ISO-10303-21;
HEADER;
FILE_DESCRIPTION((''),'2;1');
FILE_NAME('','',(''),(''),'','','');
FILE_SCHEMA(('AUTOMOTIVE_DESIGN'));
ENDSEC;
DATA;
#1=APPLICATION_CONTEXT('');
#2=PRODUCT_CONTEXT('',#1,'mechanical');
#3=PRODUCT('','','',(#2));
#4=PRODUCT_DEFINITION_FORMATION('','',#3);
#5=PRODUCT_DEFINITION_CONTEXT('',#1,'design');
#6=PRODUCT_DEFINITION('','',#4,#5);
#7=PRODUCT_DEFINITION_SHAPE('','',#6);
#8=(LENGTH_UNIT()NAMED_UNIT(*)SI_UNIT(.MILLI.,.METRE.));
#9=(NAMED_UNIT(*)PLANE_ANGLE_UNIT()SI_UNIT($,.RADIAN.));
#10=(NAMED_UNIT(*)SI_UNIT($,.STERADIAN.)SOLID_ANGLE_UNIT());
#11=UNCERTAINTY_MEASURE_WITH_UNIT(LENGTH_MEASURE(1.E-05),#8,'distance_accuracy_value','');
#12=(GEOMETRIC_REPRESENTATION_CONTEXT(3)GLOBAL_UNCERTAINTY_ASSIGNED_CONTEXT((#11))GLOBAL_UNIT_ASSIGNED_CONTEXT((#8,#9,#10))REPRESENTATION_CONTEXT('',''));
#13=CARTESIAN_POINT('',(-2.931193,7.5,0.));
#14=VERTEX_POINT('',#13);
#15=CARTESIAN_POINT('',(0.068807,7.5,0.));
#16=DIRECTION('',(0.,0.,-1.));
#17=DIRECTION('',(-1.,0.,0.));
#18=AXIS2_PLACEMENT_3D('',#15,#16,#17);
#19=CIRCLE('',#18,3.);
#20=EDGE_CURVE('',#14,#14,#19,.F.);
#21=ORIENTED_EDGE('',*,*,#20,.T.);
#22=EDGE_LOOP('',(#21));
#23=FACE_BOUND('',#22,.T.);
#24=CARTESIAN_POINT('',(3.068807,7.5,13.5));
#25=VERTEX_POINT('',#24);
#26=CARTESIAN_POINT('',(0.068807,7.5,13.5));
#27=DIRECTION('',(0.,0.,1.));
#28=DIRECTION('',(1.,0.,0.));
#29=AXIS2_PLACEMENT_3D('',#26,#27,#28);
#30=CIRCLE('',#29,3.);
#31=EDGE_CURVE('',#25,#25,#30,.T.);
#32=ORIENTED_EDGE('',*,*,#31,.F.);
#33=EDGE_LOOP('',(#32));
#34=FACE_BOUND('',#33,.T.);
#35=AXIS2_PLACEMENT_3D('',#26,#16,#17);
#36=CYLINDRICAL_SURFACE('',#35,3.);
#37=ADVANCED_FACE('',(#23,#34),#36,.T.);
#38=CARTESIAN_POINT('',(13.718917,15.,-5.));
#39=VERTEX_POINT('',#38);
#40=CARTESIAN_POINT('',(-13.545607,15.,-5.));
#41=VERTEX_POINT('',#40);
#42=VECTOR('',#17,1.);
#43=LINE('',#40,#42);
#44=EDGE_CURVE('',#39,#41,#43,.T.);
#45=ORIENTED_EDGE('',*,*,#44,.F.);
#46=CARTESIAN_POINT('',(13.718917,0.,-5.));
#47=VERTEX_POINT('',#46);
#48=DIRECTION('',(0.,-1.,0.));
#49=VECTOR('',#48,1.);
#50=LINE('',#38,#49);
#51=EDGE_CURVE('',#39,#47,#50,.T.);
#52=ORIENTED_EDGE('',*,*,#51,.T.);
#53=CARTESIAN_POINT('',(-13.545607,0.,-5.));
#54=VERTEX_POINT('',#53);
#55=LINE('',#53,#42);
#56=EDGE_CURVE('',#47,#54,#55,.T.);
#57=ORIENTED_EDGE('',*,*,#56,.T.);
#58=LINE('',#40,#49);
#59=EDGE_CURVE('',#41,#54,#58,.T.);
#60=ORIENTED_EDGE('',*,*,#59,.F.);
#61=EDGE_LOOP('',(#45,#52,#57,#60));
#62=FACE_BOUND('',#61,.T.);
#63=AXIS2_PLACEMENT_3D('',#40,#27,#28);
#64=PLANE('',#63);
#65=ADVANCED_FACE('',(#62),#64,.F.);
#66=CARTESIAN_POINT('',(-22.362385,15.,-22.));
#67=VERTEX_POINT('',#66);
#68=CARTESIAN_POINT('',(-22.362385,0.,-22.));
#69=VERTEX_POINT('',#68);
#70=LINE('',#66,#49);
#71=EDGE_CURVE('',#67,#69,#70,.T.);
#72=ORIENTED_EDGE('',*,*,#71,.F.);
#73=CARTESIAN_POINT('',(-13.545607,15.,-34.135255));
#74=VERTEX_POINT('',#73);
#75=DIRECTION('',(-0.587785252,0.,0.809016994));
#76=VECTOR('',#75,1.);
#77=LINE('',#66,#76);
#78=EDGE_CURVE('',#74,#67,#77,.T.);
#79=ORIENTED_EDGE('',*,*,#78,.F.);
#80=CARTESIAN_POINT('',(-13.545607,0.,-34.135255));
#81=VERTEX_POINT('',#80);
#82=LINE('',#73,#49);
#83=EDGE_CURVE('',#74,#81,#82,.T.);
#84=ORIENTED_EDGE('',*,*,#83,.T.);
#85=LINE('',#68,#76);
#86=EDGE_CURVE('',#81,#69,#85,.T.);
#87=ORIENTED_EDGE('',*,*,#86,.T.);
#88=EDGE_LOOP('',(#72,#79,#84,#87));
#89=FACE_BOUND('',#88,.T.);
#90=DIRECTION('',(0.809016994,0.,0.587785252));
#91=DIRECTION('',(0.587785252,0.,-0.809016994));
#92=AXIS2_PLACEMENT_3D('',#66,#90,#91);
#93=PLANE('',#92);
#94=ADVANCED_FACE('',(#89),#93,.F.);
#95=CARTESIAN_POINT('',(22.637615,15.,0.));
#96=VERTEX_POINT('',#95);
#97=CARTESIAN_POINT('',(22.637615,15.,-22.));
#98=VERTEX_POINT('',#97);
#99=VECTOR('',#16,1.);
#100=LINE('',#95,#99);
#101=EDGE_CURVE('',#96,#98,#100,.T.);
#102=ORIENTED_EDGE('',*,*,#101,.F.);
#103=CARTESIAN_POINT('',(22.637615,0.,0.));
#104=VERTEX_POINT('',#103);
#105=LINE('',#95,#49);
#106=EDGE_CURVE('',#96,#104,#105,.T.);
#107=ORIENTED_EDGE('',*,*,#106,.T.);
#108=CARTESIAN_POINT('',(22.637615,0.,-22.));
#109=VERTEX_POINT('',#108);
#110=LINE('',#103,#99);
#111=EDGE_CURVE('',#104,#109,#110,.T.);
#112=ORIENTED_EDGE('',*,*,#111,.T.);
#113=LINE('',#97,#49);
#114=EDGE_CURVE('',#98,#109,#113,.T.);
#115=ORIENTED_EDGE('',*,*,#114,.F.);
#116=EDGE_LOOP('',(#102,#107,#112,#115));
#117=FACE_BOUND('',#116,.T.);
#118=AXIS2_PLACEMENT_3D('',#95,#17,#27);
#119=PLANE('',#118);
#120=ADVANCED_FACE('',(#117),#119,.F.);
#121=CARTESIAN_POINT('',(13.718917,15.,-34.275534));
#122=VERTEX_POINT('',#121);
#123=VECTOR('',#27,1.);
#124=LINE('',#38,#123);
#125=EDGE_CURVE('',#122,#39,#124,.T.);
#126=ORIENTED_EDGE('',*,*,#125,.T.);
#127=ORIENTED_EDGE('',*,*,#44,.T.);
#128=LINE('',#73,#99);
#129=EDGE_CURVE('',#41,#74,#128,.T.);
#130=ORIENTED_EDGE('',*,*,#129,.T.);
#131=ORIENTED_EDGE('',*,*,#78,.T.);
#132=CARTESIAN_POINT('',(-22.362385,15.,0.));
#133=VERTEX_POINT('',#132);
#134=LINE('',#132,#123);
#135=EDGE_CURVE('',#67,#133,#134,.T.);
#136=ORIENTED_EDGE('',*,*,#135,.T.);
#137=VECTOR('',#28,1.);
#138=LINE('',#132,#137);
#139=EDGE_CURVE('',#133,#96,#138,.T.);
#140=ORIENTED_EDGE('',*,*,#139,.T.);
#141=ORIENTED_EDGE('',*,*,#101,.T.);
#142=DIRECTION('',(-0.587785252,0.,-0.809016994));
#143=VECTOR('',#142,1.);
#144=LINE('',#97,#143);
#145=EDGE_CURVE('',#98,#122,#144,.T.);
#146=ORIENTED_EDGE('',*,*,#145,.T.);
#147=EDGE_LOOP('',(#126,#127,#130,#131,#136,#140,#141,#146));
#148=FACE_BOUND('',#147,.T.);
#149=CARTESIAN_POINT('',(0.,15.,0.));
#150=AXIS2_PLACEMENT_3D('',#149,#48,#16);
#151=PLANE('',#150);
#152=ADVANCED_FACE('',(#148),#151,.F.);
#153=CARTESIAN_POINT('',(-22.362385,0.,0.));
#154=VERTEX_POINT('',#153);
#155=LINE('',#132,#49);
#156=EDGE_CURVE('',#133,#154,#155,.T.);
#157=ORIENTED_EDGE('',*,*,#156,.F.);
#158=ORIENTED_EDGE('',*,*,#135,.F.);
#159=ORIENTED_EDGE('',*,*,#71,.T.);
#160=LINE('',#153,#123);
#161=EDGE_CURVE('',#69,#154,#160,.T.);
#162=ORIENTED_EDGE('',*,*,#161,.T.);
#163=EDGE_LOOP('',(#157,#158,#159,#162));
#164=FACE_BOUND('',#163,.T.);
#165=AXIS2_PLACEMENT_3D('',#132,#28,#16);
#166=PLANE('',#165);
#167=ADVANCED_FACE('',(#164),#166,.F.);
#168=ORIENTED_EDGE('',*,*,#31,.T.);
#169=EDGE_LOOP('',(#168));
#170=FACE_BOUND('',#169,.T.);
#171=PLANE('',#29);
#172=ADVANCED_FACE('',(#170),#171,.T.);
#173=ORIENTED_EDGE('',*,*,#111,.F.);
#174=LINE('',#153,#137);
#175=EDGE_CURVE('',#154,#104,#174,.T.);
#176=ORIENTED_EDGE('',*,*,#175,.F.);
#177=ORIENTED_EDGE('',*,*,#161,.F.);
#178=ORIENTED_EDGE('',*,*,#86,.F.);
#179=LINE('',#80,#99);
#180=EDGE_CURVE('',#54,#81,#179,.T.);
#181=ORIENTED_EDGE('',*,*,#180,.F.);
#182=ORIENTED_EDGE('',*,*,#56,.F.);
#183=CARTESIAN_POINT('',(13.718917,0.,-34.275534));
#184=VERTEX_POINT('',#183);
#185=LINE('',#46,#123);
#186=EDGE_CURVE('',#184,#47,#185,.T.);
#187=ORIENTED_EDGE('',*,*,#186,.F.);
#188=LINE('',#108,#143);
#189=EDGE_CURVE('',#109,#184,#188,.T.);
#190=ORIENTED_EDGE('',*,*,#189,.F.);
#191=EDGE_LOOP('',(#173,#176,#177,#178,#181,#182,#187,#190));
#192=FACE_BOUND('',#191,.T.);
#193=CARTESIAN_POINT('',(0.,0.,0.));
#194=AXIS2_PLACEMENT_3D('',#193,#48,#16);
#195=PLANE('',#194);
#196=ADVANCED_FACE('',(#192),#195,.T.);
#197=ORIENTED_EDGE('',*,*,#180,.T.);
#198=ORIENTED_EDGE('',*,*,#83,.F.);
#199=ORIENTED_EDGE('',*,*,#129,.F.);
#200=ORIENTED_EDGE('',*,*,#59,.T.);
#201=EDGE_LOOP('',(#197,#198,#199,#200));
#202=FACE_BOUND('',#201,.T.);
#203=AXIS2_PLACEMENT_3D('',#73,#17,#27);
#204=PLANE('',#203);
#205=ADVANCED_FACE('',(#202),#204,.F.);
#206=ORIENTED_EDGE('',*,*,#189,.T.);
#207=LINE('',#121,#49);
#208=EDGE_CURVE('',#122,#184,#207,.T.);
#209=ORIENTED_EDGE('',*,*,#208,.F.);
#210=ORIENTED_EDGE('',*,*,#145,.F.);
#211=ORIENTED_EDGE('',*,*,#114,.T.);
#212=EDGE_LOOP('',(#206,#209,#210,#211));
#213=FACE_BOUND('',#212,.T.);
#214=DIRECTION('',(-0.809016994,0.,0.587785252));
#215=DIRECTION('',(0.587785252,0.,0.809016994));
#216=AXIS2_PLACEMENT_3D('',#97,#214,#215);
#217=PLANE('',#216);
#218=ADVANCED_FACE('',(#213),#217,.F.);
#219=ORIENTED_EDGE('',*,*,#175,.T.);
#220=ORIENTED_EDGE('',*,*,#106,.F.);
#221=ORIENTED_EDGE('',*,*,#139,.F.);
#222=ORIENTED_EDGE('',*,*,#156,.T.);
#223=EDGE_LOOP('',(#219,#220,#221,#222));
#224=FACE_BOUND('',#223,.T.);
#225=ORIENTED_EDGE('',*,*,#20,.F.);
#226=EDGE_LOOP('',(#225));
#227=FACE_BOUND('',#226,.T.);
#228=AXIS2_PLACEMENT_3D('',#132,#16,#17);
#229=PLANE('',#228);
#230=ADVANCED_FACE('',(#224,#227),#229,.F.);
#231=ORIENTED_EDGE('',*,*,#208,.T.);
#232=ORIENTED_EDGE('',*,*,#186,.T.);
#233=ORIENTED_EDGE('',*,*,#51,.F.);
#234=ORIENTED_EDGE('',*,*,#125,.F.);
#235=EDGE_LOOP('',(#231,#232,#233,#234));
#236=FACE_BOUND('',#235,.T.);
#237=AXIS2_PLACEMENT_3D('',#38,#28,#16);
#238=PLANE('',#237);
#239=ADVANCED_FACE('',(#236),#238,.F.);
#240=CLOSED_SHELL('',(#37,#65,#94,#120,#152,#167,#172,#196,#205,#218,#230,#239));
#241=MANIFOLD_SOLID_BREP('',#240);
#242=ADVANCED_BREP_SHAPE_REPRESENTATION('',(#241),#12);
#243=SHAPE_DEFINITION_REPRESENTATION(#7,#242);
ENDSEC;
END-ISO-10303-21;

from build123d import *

# Parameters (mm, degrees)
BOSS_EXTRUDE1_DEPTH = 15
SKETCH4_R           = 3
BOSS_EXTRUDE2_DEPTH = 13.5


with BuildPart() as part:
    # Sketch3 → Boss-Extrude1 (new body)
    with BuildSketch(Plane(origin=(0, 0, 0), x_dir=(1, 0, 0), z_dir=(0, 1, 0))):
        Polygon((-22.362385321, 0), (22.637614679, 0), (22.637614679, 22), (13.718917102, 34.275534099), (13.718917102, 5), (-13.545606537, 5), (-13.545606537, 34.135254916), (-22.362385321, 22), align=None)
    extrude(amount=BOSS_EXTRUDE1_DEPTH)

    # Sketch4 → Boss-Extrude2 (add)
    with BuildSketch(Plane.XY):
        with Locations(Location((0.068807339, 7.5, 0), (0, 0, 180))):
            Circle(SKETCH4_R)
    extrude(amount=BOSS_EXTRUDE2_DEPTH)


solid = part.part
